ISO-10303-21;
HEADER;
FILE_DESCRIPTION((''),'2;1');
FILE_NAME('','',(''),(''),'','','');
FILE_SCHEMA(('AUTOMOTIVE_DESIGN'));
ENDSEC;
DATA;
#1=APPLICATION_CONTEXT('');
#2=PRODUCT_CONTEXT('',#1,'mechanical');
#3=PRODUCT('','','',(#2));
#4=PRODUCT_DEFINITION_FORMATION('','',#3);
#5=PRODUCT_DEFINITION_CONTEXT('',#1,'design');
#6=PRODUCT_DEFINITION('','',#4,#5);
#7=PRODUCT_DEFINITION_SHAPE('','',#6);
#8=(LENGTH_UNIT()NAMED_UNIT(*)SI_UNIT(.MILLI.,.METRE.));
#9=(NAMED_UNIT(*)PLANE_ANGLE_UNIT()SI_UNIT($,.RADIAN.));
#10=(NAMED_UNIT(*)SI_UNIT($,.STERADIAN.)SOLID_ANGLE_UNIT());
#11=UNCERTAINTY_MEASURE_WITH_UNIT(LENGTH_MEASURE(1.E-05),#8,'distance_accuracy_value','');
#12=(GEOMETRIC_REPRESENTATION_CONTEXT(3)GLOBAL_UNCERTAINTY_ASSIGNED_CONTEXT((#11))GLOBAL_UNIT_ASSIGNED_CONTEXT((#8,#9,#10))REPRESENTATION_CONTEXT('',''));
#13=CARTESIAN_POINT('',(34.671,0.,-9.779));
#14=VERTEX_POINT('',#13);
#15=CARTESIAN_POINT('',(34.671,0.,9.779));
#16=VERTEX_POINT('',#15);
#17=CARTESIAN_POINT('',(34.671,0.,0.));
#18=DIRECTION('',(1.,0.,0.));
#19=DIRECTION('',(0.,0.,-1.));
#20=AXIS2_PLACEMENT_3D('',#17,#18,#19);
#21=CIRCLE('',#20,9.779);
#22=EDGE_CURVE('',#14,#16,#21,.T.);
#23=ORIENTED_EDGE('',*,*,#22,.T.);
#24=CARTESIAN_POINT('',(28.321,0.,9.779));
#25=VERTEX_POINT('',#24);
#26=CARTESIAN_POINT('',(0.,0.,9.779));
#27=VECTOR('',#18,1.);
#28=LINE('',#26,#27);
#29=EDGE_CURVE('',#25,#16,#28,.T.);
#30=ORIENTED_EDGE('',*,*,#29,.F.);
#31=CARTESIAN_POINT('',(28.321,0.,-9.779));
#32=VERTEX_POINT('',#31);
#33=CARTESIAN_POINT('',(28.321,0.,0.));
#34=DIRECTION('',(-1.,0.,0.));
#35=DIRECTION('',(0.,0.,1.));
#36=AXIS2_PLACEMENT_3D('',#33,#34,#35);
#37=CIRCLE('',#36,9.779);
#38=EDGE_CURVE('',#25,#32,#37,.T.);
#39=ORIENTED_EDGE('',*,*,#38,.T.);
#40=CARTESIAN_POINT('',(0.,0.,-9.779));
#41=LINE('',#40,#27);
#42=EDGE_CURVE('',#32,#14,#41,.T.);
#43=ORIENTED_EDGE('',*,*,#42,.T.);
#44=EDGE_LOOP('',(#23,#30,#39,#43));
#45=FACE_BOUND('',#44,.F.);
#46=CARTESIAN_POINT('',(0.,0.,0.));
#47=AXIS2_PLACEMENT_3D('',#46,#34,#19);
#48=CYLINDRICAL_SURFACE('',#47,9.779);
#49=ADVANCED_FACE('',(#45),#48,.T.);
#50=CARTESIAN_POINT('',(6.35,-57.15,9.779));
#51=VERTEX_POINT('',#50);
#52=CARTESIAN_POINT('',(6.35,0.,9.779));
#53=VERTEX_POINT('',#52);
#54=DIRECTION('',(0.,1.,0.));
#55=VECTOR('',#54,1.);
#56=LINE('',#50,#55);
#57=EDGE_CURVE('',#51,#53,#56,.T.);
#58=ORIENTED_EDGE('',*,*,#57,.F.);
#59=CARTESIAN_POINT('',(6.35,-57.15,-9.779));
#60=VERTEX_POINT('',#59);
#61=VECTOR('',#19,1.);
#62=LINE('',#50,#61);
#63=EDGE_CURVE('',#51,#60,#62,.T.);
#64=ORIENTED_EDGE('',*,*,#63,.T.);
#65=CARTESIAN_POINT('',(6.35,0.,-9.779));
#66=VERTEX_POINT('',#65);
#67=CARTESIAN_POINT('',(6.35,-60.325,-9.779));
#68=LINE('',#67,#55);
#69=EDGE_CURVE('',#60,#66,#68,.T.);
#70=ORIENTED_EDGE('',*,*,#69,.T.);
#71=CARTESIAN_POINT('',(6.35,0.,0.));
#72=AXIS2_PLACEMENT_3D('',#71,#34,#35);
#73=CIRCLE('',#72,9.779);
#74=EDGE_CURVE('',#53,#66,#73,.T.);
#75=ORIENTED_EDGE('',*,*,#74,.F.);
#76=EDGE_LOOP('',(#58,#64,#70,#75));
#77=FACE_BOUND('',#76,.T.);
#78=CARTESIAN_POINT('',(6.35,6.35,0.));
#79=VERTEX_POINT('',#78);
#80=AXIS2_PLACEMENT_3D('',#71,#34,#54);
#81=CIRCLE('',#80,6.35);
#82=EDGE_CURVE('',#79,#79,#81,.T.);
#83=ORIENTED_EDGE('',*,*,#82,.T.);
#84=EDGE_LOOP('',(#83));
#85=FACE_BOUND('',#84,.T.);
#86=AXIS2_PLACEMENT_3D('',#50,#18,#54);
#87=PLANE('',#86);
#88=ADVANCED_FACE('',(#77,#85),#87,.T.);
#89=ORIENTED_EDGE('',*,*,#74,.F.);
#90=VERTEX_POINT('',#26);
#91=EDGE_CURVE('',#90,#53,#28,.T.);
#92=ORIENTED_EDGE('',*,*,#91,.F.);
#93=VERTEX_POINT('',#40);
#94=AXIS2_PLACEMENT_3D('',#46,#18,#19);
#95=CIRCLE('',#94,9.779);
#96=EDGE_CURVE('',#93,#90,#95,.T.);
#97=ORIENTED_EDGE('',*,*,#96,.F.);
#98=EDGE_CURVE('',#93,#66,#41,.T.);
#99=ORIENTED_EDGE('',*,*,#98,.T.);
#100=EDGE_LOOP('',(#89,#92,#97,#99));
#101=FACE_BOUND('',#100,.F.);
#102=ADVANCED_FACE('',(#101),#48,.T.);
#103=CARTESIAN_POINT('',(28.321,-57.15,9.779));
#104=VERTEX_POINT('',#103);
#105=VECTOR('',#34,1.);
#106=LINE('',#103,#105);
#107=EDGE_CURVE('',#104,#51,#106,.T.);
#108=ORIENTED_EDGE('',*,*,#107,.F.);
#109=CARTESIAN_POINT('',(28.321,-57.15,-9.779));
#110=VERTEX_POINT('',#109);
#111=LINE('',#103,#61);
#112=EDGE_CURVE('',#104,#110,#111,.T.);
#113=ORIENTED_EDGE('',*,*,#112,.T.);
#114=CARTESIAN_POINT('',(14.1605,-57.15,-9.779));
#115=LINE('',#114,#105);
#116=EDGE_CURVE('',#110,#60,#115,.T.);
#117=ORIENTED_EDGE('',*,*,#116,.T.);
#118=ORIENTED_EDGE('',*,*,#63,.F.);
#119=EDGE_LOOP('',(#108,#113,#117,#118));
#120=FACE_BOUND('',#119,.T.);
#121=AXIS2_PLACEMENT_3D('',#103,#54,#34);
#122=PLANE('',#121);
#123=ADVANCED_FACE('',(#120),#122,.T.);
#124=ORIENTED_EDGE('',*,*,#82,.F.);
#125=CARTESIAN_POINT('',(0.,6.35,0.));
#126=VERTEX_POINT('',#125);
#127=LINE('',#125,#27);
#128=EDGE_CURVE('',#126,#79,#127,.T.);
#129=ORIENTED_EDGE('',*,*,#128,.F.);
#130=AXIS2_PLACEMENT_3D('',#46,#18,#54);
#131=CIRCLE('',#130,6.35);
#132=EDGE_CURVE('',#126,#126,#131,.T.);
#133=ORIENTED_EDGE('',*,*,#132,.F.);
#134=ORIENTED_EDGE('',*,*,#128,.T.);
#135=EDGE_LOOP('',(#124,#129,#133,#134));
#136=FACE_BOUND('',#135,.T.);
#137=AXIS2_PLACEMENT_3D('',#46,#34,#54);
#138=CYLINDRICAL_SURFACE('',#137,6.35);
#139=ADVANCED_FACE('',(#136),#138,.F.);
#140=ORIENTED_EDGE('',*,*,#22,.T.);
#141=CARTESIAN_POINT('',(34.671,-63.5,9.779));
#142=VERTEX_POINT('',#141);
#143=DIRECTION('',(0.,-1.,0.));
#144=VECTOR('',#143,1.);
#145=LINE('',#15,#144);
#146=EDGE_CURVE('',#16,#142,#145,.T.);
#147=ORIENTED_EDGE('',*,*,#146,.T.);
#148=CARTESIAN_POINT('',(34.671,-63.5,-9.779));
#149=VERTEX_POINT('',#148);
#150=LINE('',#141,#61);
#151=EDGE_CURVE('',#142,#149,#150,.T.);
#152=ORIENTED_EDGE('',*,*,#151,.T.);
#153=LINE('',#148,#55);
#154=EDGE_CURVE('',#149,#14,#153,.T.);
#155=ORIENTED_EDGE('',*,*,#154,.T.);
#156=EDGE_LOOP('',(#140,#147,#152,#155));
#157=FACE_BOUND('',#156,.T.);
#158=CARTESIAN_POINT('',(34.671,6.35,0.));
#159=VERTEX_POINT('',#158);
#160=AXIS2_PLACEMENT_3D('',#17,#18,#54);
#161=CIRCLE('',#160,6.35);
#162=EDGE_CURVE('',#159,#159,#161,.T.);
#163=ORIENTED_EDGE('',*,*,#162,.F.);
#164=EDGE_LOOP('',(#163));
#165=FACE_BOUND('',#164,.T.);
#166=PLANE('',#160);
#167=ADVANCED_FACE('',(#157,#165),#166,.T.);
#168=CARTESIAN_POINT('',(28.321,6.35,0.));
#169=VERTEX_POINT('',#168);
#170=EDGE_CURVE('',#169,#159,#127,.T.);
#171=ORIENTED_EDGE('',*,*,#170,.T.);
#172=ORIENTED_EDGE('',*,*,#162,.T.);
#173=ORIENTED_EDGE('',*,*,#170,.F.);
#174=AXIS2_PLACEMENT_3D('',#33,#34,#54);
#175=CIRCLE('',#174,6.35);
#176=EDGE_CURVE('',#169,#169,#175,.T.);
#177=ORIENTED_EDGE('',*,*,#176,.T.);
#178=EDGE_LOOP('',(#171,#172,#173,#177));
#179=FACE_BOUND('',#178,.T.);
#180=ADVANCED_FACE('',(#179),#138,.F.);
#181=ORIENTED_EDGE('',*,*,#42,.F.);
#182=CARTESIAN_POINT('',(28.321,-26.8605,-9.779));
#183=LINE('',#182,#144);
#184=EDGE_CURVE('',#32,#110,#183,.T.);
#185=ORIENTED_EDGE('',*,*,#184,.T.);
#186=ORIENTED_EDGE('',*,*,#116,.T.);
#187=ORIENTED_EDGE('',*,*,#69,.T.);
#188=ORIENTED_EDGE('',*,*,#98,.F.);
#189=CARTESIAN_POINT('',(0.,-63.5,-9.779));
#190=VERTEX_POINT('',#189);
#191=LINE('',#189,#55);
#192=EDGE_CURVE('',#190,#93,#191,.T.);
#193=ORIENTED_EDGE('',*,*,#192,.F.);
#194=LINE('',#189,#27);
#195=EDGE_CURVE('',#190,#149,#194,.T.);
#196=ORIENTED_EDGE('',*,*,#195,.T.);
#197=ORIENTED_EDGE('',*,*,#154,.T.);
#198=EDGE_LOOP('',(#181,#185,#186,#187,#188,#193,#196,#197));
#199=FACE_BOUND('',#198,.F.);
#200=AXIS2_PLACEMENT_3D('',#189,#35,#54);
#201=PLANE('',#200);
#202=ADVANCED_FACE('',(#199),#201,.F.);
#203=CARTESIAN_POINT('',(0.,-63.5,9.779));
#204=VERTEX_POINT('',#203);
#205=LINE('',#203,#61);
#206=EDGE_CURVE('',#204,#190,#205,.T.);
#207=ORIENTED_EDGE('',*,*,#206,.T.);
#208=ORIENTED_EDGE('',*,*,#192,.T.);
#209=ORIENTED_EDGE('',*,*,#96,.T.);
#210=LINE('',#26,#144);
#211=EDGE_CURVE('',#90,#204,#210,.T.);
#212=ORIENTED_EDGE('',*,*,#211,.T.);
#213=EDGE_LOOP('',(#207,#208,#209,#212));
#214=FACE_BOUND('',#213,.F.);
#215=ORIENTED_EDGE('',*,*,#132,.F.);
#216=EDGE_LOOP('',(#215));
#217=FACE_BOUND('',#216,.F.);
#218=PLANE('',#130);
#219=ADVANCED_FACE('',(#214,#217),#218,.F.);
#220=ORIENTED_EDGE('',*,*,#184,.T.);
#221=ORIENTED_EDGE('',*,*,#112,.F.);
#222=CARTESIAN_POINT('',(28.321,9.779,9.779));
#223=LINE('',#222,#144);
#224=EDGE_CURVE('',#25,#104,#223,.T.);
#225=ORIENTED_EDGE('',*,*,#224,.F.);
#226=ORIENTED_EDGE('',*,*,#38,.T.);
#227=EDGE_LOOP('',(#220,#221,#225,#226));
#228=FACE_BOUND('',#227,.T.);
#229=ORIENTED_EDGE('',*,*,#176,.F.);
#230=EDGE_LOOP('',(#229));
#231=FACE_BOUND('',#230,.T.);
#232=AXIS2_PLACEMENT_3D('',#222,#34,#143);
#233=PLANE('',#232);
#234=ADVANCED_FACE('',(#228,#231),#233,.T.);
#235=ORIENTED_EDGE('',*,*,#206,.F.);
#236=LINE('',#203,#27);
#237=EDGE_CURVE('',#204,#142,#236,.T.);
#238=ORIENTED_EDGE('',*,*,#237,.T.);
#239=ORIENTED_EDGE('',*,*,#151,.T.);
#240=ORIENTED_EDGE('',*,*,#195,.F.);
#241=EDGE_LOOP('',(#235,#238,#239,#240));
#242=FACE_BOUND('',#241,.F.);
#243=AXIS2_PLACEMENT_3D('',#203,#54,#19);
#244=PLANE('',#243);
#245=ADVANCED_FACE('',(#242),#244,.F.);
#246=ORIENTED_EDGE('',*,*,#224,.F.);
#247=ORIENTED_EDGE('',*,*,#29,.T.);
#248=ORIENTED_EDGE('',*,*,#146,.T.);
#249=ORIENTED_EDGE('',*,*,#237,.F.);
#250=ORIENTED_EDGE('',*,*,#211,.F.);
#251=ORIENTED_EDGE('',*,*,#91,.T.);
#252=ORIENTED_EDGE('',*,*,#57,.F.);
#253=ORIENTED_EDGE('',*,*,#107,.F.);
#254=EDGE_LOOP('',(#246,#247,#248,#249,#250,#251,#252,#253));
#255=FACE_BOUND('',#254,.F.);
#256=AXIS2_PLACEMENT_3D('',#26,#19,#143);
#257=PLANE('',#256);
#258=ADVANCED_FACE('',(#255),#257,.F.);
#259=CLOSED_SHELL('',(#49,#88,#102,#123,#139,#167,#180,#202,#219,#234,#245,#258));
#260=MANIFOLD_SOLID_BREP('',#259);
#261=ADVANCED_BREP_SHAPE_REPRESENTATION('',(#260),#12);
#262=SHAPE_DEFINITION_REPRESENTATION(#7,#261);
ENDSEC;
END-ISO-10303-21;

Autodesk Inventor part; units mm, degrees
ref_plane "YZ Plane" through (0, 0, 0) normal (1, 0, 0) x (0, 1, 0)
ref_plane "XZ Plane" through (0, 0, 0) normal (0, 1, 0) x (-1, 0, 0)
ref_plane "XY Plane" through (0, 0, 0) normal (0, 0, 1) x (1, 0, 0)
sketch "Sketch1" plane through (0, 0, 0) normal (1, 0, 0) x (0, 1, 0)
  circle A0 centre (0, 0) radius 6.35
  arc A1 (0, -9.779) -> (0, 9.779) centre (0, 0) ccw
  line L0 (0, 9.779) -> (-63.5, 9.779)
  line L1 (-63.5, 9.779) -> (-63.5, -9.779)
  line L2 (-63.5, -9.779) -> (0, -9.779)
  dimension "d0" = 12.7
  dimension "d1" = 19.558
  dimension "d2" = 63.5
  dimension "d3" = 19.558
extrude "Extrusion1" add sketch "Sketch1" along normal blind 34.671
sketch "Sketch2" plane through (0, -63.5, 9.779) normal (0, 0, 1) x (1, 0, 0)
  line L0 (34.671, 63.5) -> (34.671, 0) projected
  line L1 (0, 0) -> (0, 63.5) projected
  line L2 (0, 73.279) -> (34.671, 73.279) projected
  line L3 (0, 0) -> (34.671, 0) projected
  line L4 (6.35, 73.279) -> (28.321, 73.279)
  line L5 (28.321, 73.279) -> (28.321, 6.35)
  line L6 (28.321, 6.35) -> (6.35, 6.35)
  line L7 (6.35, 6.35) -> (6.35, 73.279)
  dimension "d8" = 6.35
  dimension "d12" = 6.35
  dimension "d13" = 6.35
extrude "Extrusion2" cut sketch "Sketch2" against normal blind 32.004
properties part number "CollectorHolder"
